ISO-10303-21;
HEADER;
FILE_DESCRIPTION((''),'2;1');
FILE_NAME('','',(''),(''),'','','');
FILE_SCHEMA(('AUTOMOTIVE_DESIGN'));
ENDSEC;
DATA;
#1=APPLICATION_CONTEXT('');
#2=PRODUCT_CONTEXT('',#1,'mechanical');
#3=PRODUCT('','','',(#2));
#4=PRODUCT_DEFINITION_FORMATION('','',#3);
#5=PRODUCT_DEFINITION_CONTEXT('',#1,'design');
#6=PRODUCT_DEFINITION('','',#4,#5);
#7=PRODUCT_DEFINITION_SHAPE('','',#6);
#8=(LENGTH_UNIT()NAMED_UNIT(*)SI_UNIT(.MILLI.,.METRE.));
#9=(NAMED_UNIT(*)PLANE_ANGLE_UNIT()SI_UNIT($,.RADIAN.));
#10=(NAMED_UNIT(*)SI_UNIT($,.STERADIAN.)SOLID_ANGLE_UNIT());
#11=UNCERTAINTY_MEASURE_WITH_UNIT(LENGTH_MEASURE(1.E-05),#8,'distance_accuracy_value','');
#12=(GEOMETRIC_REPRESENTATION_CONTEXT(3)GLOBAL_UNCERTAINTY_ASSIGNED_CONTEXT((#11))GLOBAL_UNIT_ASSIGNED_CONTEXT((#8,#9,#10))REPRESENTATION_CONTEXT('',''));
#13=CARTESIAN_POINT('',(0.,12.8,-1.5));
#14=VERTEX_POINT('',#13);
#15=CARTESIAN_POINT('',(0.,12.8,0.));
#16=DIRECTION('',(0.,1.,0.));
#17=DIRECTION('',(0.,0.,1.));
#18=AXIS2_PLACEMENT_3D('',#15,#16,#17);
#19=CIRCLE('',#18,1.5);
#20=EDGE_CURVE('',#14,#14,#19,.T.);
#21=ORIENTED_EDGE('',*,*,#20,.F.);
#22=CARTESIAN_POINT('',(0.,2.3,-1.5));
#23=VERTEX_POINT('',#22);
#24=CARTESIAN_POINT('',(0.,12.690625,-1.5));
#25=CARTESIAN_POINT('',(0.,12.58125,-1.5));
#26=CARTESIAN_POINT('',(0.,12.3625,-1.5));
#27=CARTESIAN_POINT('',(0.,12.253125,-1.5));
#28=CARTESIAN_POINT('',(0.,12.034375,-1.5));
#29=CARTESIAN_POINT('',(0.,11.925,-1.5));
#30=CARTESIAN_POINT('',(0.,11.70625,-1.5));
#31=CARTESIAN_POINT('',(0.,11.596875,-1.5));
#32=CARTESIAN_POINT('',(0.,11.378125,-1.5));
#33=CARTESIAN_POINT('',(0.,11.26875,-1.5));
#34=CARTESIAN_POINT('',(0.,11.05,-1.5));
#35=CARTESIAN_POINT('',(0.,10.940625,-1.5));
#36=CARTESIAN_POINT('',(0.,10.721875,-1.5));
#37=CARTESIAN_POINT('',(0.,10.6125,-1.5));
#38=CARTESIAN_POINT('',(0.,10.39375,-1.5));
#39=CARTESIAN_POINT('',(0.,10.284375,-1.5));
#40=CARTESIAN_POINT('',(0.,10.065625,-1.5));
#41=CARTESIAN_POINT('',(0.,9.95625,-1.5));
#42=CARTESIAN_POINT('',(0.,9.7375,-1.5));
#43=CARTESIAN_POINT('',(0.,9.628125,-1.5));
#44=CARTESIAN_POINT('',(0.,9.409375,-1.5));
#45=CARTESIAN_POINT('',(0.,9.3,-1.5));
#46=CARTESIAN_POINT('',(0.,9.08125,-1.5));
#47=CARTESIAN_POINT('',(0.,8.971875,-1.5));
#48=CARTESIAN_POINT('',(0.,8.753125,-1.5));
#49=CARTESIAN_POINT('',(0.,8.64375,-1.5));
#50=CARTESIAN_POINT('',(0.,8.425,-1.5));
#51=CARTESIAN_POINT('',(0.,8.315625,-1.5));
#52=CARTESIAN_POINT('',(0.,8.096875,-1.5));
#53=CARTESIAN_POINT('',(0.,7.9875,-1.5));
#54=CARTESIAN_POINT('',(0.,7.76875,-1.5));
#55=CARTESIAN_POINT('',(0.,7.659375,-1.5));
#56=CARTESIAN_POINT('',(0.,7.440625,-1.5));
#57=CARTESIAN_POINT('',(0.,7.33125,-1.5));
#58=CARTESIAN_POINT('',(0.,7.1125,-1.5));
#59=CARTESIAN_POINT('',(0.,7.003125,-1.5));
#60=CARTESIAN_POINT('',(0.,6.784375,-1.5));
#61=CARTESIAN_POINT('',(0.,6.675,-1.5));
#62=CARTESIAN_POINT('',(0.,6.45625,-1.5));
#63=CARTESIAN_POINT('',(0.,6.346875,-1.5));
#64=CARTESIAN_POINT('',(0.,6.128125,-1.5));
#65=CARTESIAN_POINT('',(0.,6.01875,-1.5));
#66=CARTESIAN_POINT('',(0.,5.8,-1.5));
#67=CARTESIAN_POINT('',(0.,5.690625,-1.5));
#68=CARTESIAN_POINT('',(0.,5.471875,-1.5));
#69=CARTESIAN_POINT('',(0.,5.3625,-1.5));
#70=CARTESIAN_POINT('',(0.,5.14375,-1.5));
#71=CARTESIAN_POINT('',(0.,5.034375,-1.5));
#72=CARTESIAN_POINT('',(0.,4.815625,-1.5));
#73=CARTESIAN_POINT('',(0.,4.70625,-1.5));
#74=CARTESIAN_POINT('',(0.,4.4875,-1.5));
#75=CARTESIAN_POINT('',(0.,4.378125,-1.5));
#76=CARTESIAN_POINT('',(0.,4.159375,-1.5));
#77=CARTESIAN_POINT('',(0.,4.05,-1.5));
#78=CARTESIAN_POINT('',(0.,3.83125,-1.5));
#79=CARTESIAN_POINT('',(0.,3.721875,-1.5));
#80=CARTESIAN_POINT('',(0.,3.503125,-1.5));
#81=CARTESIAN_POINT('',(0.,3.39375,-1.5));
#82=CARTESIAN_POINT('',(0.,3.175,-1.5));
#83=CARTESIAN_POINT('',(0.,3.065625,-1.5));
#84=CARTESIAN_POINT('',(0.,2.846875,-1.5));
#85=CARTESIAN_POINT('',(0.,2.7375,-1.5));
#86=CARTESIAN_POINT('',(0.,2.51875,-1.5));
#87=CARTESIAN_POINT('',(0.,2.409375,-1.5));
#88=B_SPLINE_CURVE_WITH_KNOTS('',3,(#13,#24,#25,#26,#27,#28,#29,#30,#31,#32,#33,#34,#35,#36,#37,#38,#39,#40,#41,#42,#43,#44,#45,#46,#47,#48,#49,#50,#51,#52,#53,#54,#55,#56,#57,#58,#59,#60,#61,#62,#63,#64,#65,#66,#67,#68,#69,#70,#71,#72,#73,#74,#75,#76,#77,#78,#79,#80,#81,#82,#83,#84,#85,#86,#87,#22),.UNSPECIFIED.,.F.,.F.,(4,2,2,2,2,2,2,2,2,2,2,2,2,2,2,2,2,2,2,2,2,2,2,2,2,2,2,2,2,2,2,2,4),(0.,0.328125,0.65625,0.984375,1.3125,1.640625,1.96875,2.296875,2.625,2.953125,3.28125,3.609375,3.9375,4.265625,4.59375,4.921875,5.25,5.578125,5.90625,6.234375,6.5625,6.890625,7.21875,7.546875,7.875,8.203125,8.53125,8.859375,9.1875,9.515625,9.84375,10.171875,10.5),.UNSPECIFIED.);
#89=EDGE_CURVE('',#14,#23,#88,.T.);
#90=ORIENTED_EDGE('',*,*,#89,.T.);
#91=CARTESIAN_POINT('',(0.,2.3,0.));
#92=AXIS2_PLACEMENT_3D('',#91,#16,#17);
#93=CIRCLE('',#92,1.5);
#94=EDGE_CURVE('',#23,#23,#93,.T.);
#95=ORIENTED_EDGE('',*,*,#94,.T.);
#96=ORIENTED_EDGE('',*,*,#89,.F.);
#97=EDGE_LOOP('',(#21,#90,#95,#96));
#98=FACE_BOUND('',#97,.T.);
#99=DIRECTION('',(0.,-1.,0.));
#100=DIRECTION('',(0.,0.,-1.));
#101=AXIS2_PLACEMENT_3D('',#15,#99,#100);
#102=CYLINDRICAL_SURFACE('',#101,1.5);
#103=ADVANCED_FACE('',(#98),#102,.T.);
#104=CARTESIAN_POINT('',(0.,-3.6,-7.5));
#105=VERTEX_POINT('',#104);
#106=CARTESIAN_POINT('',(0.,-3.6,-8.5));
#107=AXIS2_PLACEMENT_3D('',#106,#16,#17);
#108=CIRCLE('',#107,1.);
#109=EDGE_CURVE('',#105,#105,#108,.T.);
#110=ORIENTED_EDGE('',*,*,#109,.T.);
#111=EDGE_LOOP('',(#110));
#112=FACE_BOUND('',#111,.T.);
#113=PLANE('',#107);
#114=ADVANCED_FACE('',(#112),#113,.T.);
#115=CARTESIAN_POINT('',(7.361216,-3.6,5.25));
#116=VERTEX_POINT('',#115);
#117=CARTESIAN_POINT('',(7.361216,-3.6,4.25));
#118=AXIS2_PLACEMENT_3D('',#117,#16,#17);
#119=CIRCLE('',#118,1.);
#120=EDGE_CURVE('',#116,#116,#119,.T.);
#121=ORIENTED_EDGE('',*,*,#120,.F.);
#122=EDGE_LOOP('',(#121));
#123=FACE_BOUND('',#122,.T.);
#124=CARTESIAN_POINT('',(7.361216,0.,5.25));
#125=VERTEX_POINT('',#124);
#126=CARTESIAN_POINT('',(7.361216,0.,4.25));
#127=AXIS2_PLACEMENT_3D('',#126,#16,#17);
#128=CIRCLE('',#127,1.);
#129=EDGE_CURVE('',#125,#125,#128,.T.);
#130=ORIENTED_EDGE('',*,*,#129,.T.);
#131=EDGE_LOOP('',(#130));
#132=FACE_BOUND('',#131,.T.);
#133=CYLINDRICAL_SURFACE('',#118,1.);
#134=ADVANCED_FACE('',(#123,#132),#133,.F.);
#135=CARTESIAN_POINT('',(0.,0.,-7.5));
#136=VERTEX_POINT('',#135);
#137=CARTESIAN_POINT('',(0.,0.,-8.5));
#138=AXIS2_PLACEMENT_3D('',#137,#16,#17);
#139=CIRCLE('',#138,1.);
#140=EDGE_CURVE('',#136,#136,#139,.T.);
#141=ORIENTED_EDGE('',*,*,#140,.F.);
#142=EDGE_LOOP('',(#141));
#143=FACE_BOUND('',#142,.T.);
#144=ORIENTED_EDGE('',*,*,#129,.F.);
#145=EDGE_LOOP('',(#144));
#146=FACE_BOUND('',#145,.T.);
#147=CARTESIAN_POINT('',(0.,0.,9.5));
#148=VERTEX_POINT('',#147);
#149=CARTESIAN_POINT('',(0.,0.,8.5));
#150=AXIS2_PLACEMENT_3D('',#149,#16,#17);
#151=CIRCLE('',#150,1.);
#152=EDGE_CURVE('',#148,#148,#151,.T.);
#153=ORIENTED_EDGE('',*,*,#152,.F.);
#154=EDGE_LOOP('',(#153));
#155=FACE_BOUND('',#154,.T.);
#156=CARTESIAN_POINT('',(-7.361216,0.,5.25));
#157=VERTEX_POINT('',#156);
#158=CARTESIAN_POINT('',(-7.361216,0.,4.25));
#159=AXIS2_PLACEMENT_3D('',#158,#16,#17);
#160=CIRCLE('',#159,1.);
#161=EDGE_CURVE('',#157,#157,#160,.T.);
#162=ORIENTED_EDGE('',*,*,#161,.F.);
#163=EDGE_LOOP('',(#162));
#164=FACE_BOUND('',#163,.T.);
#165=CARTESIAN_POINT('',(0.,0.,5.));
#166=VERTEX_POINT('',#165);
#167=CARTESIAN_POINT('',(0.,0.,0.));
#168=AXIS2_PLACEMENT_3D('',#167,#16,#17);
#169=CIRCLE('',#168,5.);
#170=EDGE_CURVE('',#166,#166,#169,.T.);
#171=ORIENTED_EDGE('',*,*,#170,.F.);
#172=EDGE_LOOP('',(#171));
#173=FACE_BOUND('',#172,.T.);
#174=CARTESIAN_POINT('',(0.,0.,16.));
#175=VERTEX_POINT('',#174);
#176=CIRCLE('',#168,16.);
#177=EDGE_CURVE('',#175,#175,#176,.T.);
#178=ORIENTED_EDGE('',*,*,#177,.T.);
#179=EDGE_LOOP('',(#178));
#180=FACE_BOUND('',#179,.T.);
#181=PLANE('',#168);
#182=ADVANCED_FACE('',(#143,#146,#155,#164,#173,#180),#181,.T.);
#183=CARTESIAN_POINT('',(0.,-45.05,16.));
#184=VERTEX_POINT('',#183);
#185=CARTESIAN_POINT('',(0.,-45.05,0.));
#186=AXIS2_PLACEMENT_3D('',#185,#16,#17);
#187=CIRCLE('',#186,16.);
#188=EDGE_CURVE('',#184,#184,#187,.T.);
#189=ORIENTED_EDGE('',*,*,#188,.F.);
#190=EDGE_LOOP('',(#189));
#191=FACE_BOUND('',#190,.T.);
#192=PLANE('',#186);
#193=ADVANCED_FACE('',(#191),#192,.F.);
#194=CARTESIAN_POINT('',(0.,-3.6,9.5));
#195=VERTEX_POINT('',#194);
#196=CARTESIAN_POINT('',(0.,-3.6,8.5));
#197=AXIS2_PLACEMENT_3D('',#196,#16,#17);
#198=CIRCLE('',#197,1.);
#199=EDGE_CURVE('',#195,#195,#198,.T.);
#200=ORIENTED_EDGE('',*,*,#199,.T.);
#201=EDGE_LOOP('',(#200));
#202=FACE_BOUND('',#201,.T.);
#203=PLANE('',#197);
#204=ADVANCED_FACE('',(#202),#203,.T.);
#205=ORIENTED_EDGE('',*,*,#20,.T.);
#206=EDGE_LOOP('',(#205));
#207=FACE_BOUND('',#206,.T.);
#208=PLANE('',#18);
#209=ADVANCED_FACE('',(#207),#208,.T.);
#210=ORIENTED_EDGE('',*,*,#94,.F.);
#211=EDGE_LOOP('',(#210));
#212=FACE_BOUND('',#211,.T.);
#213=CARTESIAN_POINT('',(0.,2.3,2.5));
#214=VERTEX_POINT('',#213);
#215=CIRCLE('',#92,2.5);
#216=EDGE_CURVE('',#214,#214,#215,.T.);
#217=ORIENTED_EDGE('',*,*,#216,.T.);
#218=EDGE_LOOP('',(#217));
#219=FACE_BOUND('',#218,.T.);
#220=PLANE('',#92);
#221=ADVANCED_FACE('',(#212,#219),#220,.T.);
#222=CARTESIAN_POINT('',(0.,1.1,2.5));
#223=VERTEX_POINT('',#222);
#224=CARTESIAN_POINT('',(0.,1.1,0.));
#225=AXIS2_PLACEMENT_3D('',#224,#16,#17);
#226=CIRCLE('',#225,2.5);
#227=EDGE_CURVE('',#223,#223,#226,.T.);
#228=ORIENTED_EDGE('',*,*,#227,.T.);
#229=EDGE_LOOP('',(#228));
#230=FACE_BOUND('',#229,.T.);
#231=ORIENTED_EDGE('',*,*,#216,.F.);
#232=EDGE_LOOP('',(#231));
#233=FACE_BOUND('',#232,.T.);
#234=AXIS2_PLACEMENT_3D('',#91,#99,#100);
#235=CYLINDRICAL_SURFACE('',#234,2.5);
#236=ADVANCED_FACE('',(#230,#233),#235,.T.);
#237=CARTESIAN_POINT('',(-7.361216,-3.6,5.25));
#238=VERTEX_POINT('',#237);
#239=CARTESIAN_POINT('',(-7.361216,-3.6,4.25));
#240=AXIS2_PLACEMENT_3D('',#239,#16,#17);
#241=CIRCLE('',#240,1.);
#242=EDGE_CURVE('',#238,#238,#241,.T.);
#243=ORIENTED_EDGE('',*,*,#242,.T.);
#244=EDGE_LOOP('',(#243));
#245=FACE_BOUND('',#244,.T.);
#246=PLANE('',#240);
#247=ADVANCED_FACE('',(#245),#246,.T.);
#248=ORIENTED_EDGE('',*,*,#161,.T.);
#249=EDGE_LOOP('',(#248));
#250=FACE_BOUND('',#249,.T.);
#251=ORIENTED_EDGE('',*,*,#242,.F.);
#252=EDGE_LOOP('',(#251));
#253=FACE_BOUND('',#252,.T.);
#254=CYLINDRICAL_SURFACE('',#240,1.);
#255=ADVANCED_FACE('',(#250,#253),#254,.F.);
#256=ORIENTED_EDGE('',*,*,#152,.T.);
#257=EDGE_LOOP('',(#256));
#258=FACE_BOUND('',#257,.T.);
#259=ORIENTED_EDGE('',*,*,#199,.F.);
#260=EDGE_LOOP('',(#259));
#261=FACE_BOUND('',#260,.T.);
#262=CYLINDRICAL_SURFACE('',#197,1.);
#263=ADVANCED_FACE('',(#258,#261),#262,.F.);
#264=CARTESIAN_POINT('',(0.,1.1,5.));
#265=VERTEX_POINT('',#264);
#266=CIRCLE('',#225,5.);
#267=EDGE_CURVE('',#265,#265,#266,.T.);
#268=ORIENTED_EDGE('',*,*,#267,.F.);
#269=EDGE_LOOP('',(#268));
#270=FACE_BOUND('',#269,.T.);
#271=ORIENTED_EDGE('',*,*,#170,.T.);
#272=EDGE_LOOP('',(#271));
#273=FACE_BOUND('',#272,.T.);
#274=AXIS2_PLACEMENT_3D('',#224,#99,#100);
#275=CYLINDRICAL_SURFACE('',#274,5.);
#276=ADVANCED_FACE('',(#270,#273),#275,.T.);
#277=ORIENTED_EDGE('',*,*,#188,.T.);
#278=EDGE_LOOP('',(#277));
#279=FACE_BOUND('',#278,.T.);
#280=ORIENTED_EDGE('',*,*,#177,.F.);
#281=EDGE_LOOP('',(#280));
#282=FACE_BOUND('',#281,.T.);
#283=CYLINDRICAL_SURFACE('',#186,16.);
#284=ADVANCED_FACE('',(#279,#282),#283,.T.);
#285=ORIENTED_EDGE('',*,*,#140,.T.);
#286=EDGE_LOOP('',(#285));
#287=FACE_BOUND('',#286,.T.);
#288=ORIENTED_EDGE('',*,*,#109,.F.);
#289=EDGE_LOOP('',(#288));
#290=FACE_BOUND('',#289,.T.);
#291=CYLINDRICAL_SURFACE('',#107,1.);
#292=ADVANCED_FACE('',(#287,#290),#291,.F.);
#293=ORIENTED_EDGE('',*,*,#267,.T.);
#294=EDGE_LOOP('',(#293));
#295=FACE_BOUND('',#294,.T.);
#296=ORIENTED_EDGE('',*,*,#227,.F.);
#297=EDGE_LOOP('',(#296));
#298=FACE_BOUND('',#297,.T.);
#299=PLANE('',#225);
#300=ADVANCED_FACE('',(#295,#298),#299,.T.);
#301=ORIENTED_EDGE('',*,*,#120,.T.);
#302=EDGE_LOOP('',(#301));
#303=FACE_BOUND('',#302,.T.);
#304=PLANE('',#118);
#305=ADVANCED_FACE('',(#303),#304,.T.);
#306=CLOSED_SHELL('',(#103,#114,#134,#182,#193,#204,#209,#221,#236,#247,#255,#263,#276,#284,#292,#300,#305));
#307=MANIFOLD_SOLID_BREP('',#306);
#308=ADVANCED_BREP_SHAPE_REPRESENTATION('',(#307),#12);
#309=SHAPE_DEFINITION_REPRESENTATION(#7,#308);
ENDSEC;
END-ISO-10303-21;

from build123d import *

# Parameters (mm, degrees)
SKETCH1_R           = 16
BOSS_EXTRUDE1_DEPTH = 45.05
SKETCH3_R           = 5
BOSS_EXTRUDE2_DEPTH = 1.1
SKETCH4_R           = 2.5
BOSS_EXTRUDE3_DEPTH = 1.2
SKETCH5_R           = 1.5
BOSS_EXTRUDE4_DEPTH = 10.5
SKETCH6_R           = 1
CUT_EXTRUDE1_DEPTH  = 3.6


with BuildPart() as part:
    # Sketch1 → Boss-Extrude1 (new body)
    with BuildSketch(Plane(origin=(0, 0, 0), x_dir=(1, 0, 0), z_dir=(0, 1, 0))):
        with Locations(Location((0, 0, 0), (0, 0, 270))):
            Circle(SKETCH1_R)
    extrude(amount=-BOSS_EXTRUDE1_DEPTH)

    # Sketch3 → Boss-Extrude2 (add)
    with BuildSketch(Plane(origin=(0, 0, 0), x_dir=(1, 0, 0), z_dir=(0, 1, 0))):
        with Locations(Location((0, 0, 0), (0, 0, 270))):
            Circle(SKETCH3_R)
    extrude(amount=BOSS_EXTRUDE2_DEPTH)

    # Sketch4 → Boss-Extrude3 (add)
    with BuildSketch(Plane(origin=(0, 1.1, 0), x_dir=(1, 0, 0), z_dir=(0, 1, 0))):
        with Locations(Location((0, 0, 0), (0, 0, 270))):
            Circle(SKETCH4_R)
    extrude(amount=BOSS_EXTRUDE3_DEPTH)

    # Sketch5 → Boss-Extrude4 (add)
    with BuildSketch(Plane(origin=(0, 2.3, 0), x_dir=(1, 0, 0), z_dir=(0, 1, 0))):
        with Locations(Location((0, 0, 0), (0, 0, 90))):
            Circle(SKETCH5_R)
    extrude(amount=BOSS_EXTRUDE4_DEPTH)

    # Sketch6 → Cut-Extrude1 (cut)
    with BuildSketch(Plane(origin=(0, 0, 0), x_dir=(1, 0, 0), z_dir=(0, 1, 0))):
        with Locations(Location((0, 8.5, 0), (0, 0, 270))):
            Circle(SKETCH6_R)
        with Locations(Location((0, -8.5, 0), (0, 0, 270))):
            Circle(SKETCH6_R)
        with Locations(Location((-7.361215932, -4.25, 0), (0, 0, 270))):
            Circle(SKETCH6_R)
        with Locations(Location((7.361215932, -4.25, 0), (0, 0, 270))):
            Circle(SKETCH6_R)
    extrude(amount=-CUT_EXTRUDE1_DEPTH, mode=Mode.SUBTRACT)


solid = part.part
